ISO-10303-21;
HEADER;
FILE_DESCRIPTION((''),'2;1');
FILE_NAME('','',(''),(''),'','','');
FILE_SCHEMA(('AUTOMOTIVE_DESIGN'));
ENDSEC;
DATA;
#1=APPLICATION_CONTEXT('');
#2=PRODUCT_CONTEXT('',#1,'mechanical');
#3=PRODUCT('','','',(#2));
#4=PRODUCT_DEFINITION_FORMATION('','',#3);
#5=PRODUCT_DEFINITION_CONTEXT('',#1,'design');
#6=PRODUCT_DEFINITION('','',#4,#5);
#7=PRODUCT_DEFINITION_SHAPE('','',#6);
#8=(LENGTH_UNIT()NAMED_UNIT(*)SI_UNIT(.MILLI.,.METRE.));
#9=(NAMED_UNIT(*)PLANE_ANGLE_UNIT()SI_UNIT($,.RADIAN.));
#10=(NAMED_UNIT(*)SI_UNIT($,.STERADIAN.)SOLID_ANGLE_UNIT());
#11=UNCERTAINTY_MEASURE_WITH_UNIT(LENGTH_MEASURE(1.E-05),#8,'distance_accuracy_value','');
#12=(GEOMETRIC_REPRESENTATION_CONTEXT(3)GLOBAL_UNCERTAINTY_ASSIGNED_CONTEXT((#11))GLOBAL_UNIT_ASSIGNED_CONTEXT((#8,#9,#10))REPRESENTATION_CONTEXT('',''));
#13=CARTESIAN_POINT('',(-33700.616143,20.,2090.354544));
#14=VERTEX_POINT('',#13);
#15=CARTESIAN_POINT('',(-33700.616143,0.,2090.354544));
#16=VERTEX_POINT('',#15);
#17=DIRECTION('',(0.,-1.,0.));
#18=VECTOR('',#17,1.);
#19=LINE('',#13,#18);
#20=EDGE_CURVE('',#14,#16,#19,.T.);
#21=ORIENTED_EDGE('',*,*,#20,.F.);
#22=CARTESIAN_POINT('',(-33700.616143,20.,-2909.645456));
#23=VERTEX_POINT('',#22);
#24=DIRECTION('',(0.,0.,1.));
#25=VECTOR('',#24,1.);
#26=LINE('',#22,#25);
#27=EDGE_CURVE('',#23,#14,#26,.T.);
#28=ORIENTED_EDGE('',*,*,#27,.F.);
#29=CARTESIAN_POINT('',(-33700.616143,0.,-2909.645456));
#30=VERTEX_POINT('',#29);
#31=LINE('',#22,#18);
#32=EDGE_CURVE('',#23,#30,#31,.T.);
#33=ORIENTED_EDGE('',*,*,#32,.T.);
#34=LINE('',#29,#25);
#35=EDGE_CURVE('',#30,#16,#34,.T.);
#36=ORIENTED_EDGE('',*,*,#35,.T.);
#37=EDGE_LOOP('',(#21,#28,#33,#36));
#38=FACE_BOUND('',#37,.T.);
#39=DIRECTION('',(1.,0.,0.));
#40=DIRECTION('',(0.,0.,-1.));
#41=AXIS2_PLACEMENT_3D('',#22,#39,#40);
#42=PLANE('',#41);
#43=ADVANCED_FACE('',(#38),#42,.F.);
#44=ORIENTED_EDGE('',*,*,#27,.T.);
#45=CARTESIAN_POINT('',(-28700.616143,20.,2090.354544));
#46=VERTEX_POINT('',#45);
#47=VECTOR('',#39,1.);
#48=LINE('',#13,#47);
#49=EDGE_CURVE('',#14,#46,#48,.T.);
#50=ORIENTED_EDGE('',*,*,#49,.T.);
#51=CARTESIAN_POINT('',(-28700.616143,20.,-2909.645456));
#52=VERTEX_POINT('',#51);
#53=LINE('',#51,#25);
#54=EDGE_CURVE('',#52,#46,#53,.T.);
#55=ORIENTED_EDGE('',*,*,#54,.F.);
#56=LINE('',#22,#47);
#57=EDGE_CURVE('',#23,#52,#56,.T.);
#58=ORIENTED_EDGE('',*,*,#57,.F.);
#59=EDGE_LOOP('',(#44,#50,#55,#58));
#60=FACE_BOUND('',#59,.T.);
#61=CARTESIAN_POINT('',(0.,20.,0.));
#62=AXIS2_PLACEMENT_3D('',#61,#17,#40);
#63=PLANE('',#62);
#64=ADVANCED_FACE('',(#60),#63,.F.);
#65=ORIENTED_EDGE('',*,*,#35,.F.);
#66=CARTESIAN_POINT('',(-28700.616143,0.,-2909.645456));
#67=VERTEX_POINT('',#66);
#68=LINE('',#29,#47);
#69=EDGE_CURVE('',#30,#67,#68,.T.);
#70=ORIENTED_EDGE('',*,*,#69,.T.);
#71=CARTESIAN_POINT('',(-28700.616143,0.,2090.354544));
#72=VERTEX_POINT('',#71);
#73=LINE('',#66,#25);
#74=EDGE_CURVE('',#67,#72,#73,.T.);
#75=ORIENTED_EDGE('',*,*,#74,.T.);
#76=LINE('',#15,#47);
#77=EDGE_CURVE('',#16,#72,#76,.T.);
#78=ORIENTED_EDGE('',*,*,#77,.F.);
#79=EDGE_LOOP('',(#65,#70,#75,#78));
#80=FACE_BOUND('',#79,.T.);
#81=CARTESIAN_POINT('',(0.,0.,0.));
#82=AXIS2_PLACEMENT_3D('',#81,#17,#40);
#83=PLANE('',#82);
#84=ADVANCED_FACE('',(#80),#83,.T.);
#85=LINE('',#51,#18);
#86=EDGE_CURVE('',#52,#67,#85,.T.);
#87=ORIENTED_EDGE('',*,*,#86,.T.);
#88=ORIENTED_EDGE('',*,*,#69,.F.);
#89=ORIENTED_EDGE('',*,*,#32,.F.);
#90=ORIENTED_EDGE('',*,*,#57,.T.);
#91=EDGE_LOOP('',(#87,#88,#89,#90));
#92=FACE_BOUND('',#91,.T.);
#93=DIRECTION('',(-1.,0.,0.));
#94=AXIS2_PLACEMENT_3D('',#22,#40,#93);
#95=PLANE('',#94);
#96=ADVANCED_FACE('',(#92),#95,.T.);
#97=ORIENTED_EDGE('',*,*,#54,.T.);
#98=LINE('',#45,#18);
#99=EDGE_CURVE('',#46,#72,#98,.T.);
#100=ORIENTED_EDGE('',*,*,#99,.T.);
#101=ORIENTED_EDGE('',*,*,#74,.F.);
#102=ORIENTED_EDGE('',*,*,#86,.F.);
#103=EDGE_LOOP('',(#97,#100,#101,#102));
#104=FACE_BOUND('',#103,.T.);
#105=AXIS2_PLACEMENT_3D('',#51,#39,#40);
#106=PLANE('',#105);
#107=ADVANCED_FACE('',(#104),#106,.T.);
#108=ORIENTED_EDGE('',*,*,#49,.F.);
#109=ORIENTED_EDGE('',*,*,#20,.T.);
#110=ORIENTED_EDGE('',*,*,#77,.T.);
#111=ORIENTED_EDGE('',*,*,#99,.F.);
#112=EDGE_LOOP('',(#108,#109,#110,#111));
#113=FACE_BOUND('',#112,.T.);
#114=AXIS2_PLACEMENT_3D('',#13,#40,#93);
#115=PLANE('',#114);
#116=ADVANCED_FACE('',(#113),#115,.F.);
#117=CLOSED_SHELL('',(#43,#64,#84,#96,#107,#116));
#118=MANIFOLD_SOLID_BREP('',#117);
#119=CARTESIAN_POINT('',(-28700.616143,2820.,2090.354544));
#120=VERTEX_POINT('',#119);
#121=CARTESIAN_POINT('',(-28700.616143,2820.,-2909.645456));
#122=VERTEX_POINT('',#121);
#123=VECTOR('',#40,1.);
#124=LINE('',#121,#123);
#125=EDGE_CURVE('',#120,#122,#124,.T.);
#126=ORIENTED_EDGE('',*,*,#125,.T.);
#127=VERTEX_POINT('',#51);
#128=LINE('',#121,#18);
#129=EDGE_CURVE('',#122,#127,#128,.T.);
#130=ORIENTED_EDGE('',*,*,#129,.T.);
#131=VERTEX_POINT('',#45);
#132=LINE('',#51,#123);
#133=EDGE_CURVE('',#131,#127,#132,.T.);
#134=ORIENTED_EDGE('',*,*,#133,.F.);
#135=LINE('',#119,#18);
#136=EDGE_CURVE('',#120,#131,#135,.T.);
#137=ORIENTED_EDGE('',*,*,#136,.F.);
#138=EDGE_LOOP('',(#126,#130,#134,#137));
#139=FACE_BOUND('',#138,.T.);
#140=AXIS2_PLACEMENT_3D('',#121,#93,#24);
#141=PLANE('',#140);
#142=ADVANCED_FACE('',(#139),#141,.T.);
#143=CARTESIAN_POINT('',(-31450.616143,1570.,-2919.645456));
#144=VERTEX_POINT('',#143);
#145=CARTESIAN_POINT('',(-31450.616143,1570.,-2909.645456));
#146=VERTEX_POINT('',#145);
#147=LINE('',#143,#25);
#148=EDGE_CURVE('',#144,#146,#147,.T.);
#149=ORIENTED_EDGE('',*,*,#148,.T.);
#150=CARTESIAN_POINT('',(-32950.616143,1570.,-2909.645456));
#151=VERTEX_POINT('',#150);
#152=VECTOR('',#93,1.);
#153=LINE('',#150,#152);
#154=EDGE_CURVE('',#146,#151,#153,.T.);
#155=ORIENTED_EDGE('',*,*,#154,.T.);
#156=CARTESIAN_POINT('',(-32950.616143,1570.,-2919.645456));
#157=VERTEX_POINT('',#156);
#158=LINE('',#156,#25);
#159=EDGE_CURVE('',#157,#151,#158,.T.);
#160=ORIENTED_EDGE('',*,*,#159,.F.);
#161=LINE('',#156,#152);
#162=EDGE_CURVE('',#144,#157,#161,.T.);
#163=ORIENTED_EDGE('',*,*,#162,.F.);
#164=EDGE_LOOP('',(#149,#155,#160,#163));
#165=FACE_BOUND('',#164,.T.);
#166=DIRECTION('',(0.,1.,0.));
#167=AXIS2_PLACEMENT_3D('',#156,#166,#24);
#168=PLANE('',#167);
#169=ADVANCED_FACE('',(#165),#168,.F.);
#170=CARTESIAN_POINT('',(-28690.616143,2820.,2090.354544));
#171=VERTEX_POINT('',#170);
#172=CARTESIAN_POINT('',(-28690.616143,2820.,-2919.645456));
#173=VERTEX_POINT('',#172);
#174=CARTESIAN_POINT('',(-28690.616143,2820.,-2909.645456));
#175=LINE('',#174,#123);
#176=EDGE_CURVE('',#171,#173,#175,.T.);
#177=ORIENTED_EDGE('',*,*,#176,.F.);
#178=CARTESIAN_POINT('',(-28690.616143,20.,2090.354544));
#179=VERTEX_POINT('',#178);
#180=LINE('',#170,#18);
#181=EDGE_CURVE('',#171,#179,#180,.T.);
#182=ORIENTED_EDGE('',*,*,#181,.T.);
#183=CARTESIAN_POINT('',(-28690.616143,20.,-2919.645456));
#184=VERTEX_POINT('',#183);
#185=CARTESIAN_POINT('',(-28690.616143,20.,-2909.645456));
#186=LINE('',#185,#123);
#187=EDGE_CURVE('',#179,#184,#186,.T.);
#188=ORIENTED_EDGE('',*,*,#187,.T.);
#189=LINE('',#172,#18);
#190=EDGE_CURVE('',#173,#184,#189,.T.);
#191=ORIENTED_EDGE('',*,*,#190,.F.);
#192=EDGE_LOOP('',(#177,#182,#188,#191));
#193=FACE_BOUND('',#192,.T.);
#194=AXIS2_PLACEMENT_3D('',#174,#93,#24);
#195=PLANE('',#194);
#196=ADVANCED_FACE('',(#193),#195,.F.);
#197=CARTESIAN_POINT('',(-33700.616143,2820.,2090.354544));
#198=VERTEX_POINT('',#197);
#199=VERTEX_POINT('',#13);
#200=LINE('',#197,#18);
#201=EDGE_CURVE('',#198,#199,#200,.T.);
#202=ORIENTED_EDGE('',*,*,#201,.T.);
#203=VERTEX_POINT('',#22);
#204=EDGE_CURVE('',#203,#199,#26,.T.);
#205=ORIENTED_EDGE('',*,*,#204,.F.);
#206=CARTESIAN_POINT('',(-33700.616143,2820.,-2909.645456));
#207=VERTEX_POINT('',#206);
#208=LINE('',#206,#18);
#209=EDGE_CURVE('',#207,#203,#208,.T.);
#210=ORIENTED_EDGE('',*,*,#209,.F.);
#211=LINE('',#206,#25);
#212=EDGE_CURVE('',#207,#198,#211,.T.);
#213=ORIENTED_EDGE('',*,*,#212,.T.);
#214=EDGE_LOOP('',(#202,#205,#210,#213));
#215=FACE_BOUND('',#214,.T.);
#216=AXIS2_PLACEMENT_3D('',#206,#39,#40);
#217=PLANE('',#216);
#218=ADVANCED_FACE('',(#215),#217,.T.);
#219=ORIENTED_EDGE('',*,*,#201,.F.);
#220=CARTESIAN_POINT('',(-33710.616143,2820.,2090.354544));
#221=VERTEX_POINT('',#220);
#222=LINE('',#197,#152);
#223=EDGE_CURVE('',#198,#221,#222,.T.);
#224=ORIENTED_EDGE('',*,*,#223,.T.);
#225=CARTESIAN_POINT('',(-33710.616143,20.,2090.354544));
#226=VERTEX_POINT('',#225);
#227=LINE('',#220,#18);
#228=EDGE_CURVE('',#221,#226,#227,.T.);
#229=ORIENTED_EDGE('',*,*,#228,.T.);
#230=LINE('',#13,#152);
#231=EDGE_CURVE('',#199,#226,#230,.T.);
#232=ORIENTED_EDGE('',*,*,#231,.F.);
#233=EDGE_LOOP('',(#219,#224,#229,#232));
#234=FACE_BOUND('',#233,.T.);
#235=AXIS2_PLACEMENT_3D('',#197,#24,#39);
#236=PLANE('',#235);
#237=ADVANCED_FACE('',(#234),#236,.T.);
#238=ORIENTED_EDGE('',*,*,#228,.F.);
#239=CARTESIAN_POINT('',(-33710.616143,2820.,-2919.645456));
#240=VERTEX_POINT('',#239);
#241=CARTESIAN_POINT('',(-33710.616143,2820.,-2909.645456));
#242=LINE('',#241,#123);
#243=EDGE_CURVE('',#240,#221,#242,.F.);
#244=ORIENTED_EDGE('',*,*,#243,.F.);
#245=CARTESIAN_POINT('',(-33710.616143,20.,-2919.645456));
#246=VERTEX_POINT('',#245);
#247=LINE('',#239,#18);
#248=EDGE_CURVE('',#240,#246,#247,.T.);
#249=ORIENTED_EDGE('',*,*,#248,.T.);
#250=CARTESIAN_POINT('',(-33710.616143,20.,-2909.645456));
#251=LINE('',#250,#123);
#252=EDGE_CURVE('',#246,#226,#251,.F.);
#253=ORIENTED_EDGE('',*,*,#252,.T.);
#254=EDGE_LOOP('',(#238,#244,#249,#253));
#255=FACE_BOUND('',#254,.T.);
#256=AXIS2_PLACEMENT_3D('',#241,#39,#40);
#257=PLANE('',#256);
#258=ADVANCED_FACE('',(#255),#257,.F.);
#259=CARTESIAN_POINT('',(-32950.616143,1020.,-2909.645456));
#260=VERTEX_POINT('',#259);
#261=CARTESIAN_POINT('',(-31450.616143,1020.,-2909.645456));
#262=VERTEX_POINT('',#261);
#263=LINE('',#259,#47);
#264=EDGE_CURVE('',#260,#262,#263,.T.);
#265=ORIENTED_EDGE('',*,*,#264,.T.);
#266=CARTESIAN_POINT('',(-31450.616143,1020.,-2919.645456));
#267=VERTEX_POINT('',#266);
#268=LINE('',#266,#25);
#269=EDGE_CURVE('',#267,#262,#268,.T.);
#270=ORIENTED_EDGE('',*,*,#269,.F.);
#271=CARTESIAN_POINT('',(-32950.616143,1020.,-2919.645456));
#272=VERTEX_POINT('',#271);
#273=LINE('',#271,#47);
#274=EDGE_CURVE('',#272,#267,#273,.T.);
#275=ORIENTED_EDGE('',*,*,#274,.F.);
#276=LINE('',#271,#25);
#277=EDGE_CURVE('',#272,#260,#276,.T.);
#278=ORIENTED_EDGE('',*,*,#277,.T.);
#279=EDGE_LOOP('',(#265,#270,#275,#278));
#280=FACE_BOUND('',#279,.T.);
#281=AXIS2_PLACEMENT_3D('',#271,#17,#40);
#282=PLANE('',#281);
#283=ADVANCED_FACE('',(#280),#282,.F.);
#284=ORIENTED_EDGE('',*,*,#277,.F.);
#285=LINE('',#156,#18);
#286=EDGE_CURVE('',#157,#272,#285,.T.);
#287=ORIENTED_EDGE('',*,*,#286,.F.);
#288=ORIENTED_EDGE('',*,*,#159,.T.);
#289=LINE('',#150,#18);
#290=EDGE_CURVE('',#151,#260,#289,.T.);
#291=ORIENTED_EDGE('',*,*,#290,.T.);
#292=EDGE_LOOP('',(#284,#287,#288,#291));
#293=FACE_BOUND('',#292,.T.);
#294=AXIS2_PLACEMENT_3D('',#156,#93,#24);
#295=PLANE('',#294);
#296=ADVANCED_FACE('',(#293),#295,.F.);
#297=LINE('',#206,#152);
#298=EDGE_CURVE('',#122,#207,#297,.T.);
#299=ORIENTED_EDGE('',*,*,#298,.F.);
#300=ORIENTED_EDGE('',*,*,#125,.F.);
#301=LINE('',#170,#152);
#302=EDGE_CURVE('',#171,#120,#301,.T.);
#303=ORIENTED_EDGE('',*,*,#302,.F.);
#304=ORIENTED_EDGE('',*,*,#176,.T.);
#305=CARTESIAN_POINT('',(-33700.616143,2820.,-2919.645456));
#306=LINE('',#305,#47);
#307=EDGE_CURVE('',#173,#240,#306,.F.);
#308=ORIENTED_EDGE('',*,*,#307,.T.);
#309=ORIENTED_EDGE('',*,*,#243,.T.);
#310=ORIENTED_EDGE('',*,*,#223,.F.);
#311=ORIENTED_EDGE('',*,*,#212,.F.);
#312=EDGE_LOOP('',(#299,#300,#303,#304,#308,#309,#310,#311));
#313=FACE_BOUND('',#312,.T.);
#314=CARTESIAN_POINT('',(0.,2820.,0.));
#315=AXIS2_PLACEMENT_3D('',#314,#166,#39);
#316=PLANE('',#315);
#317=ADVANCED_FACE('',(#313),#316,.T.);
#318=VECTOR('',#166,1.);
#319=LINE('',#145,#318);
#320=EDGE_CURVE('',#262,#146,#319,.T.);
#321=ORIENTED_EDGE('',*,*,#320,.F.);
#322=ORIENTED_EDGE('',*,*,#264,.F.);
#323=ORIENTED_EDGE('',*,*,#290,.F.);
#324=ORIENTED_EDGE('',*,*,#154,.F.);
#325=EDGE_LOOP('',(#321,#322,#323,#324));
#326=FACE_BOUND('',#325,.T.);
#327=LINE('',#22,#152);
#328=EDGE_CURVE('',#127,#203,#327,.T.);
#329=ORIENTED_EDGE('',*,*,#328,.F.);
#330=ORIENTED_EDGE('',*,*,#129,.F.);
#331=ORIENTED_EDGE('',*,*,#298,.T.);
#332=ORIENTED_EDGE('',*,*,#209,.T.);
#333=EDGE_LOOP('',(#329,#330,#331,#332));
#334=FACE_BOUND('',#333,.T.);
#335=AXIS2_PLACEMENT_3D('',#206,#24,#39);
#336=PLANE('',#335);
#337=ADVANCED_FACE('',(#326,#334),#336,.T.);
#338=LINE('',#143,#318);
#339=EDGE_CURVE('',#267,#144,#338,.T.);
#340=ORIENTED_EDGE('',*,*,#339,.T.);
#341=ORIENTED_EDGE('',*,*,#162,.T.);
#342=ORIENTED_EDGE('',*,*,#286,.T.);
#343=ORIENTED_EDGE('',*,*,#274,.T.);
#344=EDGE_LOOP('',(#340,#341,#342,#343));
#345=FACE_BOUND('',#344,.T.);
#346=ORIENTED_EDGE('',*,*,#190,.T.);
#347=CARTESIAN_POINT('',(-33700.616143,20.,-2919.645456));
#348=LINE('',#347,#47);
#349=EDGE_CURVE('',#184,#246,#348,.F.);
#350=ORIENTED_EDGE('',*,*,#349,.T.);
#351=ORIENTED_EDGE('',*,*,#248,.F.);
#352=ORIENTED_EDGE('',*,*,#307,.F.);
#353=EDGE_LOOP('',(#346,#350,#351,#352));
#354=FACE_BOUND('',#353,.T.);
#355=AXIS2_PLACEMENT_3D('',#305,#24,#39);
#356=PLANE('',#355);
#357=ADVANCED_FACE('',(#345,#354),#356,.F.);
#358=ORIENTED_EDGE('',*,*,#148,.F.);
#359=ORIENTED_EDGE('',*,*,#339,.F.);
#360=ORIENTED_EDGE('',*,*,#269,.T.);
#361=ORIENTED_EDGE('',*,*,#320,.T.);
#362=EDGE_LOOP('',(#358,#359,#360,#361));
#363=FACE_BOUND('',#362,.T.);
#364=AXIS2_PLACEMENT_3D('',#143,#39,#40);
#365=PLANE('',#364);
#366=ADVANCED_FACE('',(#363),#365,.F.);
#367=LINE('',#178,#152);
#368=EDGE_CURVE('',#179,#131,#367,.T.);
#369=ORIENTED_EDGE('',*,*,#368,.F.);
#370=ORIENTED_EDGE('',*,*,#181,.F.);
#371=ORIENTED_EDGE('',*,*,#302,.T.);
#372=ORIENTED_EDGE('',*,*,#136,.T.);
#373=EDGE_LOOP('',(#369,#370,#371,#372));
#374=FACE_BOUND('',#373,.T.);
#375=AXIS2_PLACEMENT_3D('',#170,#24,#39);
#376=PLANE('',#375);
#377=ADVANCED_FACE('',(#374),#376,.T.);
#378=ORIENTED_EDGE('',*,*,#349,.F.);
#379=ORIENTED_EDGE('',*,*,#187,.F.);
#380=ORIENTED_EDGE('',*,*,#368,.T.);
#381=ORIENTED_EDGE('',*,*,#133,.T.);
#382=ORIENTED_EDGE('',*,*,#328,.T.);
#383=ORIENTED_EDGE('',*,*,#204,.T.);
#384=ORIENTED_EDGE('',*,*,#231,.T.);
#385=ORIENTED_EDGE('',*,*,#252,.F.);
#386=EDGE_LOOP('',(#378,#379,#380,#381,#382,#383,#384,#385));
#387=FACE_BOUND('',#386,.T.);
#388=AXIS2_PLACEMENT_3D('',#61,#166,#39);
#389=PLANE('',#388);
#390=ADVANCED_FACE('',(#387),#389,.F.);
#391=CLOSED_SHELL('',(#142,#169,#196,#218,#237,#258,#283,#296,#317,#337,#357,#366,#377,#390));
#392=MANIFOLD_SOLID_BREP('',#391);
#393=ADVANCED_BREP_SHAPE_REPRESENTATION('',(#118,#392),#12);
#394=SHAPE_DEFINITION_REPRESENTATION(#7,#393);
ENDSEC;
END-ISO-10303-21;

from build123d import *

# Parameters (mm, degrees)
SKETCH1_W           = 5000
SKETCH1_H           = 5000
BOSS_EXTRUDE1_DEPTH = 20
EXTRUDE_THIN1_DEPTH = 2800
SKETCH5_W           = 1500
SKETCH5_H           = 550
CUT_EXTRUDE1_DEPTH  = 10


with BuildPart() as part:
    # Sketch1 → Boss-Extrude1 (new body)
    with BuildSketch(Plane(origin=(0, 0, 0), x_dir=(1, 0, 0), z_dir=(0, 1, 0))):
        with Locations((-31200.616142501, 409.645456317)):
            Rectangle(SKETCH1_W, SKETCH1_H)
    extrude(amount=BOSS_EXTRUDE1_DEPTH)


with BuildPart() as body_2:
    # Sketch4 → Extrude-Thin1 (new body)
    with BuildSketch(Plane(origin=(0, 20, 0), x_dir=(1, 0, 0), z_dir=(0, 1, 0))):
        Polygon((-28700.616142501, -2090.354543683), (-28700.616142501, 2909.645456317), (-33700.616142501, 2909.645456317), (-33700.616142501, -2090.354543683), (-33710.616142501, -2090.354543683), (-33710.616142501, 2919.645456317), (-28690.616142501, 2919.645456317), (-28690.616142501, -2090.354543683), align=None)
    extrude(amount=EXTRUDE_THIN1_DEPTH)

    # Sketch5 → Cut-Extrude1 (cut)
    with BuildSketch(Plane.XY.offset(-2909.645456317)):
        with Locations((-32200.616142501, 1295)):
            Rectangle(SKETCH5_W, SKETCH5_H)
    extrude(amount=-CUT_EXTRUDE1_DEPTH, mode=Mode.SUBTRACT)


solid = Compound([part.part, body_2.part])
